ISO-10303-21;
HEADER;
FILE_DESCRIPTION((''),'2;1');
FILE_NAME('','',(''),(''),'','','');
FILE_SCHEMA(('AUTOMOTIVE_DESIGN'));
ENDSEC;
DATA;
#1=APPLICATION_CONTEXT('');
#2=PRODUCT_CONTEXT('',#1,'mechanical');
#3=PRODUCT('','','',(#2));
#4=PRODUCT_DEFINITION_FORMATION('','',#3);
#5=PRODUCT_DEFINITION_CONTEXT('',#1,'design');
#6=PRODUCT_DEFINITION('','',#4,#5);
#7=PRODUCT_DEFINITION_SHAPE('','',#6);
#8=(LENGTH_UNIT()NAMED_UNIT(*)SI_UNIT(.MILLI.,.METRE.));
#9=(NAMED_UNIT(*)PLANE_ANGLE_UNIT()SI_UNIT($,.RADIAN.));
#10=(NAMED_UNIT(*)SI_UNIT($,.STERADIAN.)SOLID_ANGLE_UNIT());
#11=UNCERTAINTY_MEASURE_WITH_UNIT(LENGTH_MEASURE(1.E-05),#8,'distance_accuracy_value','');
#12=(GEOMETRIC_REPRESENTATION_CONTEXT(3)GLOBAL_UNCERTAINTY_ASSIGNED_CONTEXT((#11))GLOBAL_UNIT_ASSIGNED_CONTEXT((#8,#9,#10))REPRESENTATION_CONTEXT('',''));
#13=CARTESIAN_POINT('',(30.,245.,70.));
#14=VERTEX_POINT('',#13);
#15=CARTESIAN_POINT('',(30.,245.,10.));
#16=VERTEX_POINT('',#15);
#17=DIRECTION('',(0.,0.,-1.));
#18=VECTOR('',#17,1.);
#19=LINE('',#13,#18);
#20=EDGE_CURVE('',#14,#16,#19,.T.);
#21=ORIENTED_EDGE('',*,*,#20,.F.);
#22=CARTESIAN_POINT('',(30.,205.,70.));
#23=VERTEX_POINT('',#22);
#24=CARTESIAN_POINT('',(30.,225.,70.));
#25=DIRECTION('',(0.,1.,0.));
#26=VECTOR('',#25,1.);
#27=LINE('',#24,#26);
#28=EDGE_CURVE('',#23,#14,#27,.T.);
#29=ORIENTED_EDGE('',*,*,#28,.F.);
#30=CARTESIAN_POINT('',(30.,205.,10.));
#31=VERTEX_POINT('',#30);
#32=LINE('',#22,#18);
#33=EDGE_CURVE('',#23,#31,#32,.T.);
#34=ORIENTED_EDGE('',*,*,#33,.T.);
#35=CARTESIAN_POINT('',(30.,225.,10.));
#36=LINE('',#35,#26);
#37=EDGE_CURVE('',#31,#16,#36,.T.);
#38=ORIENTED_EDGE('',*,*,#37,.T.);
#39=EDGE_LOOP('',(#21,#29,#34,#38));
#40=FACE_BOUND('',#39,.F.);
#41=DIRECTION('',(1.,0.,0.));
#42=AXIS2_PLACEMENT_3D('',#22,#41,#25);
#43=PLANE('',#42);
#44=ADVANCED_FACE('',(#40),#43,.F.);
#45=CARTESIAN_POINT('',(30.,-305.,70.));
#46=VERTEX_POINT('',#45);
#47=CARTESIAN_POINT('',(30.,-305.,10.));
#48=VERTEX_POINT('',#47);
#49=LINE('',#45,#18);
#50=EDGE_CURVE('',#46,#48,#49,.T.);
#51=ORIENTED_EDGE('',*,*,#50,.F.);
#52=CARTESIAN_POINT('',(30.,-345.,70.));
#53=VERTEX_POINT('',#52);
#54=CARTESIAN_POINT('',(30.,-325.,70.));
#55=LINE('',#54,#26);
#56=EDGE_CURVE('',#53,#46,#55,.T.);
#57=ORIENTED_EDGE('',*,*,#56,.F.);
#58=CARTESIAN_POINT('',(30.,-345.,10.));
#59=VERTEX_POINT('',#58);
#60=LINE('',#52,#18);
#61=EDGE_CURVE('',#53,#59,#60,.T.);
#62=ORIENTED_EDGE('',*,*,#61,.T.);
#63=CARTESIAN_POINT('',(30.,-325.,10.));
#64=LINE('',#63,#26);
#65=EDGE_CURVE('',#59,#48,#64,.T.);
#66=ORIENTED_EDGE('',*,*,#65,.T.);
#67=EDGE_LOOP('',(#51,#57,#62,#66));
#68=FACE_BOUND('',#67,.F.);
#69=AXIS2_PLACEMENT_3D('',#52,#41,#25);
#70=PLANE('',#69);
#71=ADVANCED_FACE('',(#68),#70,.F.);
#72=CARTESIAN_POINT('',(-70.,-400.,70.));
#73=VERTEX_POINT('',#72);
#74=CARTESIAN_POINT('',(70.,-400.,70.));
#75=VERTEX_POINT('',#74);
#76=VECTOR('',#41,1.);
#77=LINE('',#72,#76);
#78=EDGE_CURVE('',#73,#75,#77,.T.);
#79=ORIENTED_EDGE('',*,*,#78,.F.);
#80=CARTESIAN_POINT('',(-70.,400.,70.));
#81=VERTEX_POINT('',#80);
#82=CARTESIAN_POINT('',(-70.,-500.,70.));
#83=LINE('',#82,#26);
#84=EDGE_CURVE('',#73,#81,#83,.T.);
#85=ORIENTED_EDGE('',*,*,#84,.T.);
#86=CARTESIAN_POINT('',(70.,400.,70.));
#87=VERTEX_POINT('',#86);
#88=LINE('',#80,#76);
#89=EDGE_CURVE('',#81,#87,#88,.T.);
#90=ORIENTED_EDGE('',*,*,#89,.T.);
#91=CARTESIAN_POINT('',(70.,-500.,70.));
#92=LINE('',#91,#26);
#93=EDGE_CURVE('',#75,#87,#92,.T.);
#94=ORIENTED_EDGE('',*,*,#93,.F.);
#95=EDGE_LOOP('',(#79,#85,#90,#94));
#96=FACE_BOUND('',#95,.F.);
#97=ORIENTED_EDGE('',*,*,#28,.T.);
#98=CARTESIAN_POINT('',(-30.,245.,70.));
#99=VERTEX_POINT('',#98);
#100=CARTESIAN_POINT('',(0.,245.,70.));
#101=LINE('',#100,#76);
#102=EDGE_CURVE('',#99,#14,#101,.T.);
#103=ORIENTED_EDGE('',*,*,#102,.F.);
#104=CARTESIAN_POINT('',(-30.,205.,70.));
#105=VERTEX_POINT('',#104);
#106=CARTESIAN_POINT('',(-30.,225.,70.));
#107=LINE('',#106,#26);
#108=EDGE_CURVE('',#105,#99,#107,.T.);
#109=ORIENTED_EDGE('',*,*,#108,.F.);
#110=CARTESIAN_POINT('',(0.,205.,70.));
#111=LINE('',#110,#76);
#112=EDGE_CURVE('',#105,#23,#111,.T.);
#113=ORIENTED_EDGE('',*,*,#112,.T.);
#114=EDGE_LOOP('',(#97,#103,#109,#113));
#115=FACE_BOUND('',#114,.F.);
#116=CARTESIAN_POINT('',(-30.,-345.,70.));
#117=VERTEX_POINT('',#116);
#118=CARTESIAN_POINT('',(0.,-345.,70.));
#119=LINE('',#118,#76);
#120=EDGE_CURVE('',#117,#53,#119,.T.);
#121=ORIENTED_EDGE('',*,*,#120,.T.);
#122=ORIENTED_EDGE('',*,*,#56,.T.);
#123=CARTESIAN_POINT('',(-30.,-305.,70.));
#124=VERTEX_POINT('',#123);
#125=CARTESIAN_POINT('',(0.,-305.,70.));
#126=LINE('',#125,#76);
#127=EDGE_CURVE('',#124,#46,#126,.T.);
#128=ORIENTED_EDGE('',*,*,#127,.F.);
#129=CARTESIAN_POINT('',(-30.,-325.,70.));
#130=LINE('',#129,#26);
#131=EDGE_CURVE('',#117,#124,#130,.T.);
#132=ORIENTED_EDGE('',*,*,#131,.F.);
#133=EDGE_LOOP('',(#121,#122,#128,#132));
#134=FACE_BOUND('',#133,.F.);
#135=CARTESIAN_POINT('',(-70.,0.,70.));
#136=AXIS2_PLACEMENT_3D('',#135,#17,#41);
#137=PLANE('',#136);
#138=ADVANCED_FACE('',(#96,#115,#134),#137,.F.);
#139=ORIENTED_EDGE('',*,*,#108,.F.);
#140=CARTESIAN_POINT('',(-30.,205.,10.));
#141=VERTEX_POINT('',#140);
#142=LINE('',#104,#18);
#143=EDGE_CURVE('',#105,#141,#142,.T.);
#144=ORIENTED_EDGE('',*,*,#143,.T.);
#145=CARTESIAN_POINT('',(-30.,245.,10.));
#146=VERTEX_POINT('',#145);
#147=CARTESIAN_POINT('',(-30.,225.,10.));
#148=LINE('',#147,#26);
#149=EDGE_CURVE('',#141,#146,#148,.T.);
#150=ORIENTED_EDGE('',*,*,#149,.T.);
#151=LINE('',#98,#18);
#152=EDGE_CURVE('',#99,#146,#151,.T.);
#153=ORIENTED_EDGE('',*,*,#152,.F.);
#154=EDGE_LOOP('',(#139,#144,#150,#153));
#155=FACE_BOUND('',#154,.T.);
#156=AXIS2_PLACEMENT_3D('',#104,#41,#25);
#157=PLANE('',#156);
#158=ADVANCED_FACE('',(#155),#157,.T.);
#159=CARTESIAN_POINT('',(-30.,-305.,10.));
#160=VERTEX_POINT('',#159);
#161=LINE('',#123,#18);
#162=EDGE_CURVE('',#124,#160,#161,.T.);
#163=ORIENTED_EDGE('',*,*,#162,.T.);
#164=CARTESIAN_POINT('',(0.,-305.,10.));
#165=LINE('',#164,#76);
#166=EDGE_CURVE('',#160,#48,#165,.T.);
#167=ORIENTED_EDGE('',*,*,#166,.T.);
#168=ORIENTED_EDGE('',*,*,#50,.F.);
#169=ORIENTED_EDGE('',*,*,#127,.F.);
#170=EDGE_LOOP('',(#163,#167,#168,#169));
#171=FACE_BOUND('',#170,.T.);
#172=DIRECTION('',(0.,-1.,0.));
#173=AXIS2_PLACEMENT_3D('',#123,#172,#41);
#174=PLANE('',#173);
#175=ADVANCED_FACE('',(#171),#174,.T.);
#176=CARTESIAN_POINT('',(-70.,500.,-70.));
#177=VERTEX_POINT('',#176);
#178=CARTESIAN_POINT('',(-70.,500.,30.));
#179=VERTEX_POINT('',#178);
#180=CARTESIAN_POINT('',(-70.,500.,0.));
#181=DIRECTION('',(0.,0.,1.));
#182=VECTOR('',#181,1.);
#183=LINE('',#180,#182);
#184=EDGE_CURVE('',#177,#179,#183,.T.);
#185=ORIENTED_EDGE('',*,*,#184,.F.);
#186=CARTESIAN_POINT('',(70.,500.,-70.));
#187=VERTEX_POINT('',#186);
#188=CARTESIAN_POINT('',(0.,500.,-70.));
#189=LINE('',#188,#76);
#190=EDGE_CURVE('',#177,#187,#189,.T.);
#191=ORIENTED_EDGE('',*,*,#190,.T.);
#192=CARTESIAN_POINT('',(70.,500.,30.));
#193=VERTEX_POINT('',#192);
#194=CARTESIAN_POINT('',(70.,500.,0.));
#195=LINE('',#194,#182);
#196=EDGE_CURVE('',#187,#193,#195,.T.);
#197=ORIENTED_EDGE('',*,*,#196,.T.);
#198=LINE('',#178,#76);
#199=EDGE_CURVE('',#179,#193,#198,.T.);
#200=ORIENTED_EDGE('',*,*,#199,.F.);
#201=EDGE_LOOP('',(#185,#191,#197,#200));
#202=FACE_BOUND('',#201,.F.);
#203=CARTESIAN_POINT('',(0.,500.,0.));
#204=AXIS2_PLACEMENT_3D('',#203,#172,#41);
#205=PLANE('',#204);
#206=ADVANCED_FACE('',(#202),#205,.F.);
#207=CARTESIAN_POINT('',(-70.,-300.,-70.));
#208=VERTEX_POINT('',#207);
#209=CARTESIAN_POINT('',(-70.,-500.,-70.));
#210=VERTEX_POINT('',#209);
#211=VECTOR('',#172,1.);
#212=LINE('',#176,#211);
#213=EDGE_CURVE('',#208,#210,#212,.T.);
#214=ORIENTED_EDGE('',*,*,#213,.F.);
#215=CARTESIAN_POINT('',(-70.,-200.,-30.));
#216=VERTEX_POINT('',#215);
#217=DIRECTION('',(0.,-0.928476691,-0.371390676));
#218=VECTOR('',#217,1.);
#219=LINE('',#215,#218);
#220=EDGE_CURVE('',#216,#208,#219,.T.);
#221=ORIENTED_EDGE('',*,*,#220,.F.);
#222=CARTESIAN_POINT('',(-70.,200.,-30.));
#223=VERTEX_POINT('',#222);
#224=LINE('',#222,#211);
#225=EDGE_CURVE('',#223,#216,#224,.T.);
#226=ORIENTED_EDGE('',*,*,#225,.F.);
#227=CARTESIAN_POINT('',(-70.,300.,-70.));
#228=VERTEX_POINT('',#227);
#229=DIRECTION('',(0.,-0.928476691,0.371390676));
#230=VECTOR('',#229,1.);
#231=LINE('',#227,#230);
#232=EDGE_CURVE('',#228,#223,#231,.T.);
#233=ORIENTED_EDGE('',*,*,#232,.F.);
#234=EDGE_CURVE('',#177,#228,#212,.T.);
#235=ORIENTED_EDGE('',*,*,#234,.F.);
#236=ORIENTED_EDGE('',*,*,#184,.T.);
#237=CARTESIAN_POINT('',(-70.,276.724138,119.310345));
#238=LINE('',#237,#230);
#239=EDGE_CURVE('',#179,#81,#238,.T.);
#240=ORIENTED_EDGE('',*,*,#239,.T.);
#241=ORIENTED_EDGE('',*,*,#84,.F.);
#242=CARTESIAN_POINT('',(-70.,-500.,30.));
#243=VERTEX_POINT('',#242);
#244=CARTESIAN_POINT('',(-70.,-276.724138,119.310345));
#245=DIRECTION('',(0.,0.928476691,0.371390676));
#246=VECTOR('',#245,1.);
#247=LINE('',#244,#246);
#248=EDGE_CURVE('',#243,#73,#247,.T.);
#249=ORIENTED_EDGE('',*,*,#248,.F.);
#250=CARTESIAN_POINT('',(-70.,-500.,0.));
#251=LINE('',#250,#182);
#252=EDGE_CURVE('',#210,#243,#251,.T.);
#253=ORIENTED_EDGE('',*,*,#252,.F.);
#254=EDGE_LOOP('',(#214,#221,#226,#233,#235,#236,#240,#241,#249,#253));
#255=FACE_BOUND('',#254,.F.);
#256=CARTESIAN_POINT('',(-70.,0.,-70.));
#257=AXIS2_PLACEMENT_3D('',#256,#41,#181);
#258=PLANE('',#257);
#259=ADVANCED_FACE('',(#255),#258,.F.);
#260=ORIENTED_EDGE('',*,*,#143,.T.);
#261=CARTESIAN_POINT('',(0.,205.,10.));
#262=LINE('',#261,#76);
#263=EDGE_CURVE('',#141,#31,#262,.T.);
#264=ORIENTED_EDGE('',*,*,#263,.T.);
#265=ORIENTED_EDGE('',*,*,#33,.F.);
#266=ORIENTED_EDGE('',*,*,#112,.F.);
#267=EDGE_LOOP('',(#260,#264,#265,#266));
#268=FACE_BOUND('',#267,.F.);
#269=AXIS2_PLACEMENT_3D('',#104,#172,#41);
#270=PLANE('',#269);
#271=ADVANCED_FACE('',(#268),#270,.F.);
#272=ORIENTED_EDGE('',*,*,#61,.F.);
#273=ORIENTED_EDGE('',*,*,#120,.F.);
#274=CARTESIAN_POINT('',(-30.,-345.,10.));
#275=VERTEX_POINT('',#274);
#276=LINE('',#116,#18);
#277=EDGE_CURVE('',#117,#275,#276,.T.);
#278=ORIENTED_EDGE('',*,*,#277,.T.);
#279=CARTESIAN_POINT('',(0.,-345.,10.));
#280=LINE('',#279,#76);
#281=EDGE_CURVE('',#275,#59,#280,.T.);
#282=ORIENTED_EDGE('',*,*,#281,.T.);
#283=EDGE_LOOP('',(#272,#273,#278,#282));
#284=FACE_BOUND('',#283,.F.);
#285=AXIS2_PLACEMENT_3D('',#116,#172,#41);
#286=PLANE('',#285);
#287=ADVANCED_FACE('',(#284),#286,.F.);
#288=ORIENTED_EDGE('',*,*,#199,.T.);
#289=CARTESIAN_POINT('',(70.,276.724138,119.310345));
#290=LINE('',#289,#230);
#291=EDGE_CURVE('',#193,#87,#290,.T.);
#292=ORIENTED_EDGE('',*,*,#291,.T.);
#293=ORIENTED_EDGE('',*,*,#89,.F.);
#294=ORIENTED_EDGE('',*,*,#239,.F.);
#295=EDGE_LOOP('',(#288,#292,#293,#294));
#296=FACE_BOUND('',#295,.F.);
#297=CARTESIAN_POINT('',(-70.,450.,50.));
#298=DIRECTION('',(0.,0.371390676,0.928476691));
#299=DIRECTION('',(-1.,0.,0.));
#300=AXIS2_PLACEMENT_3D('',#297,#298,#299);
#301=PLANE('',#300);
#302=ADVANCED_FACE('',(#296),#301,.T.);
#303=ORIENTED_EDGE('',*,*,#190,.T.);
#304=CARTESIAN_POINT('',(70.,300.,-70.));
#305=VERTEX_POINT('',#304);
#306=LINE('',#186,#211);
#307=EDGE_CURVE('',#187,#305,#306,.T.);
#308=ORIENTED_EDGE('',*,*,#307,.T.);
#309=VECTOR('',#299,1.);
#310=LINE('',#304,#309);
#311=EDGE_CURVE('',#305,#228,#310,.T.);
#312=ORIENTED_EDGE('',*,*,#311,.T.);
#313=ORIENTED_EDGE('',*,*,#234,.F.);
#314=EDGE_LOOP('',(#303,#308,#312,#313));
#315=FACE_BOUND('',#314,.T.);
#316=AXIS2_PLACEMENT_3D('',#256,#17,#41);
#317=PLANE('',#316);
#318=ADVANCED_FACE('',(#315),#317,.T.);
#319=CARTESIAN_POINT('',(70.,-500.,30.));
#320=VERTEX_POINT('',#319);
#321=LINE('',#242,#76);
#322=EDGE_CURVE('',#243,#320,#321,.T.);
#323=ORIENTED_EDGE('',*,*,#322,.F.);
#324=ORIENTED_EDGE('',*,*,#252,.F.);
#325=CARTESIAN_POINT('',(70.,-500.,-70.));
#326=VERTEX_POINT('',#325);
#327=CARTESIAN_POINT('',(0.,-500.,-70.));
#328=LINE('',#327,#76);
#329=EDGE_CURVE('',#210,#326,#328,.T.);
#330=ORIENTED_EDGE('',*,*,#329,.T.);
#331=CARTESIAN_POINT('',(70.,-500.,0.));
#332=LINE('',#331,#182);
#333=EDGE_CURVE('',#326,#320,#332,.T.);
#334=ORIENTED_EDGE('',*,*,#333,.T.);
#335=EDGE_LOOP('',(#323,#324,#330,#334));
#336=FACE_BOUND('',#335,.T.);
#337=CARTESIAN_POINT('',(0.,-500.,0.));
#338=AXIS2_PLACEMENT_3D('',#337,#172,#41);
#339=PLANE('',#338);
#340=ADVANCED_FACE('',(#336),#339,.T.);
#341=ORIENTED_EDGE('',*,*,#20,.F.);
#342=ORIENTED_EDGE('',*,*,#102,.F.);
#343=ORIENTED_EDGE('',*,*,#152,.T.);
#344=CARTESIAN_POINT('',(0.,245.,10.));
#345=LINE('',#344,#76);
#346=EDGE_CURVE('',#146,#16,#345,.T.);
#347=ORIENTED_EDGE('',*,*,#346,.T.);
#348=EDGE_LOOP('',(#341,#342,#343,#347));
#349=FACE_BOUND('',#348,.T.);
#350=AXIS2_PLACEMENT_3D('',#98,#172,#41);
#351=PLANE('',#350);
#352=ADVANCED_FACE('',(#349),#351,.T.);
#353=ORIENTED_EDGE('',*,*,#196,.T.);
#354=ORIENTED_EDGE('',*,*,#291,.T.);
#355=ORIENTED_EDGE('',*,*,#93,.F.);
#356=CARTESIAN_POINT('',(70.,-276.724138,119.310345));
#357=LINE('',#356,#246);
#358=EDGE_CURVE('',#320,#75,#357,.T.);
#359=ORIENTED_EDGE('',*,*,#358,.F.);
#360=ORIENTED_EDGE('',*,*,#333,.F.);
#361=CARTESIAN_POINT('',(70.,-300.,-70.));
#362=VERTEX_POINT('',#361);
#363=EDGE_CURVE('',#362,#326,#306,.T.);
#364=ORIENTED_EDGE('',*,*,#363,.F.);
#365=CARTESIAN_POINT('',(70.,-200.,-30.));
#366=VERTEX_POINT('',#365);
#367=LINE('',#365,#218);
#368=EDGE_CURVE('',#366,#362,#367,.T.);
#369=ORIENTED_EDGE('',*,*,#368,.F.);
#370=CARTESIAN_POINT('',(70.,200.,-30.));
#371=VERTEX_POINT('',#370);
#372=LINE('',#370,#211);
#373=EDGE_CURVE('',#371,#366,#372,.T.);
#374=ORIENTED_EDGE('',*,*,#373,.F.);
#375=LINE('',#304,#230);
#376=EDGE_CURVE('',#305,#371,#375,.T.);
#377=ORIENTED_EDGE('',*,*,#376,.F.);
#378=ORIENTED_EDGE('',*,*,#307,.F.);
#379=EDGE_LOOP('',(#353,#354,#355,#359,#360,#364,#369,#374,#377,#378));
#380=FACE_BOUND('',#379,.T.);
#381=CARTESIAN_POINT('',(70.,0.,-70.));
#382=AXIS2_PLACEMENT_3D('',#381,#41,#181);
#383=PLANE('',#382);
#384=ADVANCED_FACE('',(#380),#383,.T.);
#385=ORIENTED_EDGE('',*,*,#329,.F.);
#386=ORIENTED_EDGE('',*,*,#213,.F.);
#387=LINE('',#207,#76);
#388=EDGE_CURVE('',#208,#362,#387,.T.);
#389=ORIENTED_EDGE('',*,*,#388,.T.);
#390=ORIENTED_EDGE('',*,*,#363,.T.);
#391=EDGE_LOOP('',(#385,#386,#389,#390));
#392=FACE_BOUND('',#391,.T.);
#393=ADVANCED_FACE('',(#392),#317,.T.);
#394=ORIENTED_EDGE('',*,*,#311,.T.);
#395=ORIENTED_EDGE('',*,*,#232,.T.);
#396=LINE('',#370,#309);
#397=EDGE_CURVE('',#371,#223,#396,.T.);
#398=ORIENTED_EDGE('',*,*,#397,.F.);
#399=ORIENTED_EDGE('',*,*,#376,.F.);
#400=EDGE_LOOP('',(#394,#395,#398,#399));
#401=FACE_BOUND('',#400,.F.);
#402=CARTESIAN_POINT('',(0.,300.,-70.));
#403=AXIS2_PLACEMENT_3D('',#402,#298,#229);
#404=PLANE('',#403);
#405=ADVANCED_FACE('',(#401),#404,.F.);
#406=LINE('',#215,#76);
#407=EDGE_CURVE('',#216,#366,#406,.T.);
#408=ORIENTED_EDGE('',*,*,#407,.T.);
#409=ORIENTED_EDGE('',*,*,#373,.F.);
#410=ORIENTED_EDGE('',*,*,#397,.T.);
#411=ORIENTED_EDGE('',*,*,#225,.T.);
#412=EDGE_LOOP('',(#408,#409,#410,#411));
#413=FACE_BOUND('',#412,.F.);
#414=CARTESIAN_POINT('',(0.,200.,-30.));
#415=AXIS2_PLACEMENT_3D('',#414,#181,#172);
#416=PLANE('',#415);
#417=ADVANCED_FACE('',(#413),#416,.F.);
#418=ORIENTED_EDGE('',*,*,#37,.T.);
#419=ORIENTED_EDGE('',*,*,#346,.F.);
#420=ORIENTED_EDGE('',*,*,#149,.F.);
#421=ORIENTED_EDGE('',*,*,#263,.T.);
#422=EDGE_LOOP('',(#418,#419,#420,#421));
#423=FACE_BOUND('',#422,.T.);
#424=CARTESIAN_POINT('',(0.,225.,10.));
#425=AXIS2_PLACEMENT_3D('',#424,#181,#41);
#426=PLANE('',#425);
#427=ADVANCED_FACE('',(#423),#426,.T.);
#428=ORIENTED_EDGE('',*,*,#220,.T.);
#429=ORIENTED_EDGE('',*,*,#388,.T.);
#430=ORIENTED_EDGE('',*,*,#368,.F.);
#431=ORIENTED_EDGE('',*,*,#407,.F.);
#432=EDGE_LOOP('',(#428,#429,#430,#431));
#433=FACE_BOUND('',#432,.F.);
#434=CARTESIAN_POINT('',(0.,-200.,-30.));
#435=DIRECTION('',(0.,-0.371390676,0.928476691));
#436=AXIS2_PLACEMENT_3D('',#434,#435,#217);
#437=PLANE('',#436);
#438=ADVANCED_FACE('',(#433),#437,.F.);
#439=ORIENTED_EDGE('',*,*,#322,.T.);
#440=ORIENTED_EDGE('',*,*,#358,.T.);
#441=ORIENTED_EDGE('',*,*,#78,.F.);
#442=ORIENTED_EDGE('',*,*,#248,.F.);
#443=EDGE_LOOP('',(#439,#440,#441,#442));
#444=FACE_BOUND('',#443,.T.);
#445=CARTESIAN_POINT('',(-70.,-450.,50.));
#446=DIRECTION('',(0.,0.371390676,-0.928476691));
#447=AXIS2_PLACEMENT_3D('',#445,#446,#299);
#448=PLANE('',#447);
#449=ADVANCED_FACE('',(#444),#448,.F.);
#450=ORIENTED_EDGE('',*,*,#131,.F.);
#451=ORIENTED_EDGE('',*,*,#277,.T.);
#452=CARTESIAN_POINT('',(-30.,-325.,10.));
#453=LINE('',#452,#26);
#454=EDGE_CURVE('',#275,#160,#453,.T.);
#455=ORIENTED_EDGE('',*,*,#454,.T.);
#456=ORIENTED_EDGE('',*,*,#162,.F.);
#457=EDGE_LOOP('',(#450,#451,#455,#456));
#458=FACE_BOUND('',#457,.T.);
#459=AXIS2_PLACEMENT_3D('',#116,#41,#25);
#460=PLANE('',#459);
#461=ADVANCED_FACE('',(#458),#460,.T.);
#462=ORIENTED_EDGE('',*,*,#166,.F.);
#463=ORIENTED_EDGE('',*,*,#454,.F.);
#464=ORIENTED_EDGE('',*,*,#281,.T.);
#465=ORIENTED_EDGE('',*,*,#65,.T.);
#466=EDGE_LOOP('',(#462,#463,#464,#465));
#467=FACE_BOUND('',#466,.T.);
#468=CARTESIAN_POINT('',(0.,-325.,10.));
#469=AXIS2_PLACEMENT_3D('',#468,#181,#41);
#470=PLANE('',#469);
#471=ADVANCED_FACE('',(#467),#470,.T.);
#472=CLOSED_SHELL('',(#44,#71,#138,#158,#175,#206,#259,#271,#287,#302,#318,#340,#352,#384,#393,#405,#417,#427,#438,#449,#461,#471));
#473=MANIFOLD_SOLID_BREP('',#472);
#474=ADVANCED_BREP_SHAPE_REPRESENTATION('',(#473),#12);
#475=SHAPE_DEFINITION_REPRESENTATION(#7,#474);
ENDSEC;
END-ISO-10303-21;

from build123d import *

# Parameters (mm, degrees)
F2_W       = 140
F2_H       = 140
F3_DEPTH   = 500
F4_SIZE2   = 100
F4_SIZE    = 40
F4_2_SIZE2 = 100
F4_2_SIZE  = 40
F6_DEPTH   = 70
F7_W       = 60
F7_H       = 40
F8_DEPTH   = 60


with BuildPart() as f3:
    # F2 (on Front) → F3 (new body, symmetric)
    with BuildSketch(Plane.XZ):
        Rectangle(F2_W, F2_H)
    extrude(amount=F3_DEPTH, both=True)

    # F4
    f4_edges = [f3.edges().sort_by_distance(p)[0] for p in [
        (0, -500, 70),
    ]]
    f4_side = f3.faces().sort_by_distance((0, -500, 0))[0]
    chamfer(f4_edges, length=F4_SIZE, length2=F4_SIZE2, reference=f4_side)

    # F4#2
    f4_2_edges = [f3.edges().sort_by_distance(p)[0] for p in [
        (0, 500, 70),
    ]]
    f4_2_side = f3.faces().sort_by_distance((0, 500, 0))[0]
    chamfer(f4_2_edges, length=F4_2_SIZE, length2=F4_2_SIZE2, reference=f4_2_side)

    # F5 (on Right) → F6 (cut, symmetric)
    with BuildSketch(Plane.YZ):
        Polygon((200, -30), (0, -30), (-200, -30), (-300, -70), (0, -70), (300, -70), align=None)
    extrude(amount=F6_DEPTH, both=True, mode=Mode.SUBTRACT)

    # F7 (on face) → F8 (cut)
    with BuildSketch(Plane.XY.offset(70)):
        with Locations((0, -325)):
            Rectangle(F7_W, F7_H)
        with Locations((0, 225)):
            Rectangle(F7_W, F7_H)
    extrude(amount=-F8_DEPTH, mode=Mode.SUBTRACT)


solid = f3.part
